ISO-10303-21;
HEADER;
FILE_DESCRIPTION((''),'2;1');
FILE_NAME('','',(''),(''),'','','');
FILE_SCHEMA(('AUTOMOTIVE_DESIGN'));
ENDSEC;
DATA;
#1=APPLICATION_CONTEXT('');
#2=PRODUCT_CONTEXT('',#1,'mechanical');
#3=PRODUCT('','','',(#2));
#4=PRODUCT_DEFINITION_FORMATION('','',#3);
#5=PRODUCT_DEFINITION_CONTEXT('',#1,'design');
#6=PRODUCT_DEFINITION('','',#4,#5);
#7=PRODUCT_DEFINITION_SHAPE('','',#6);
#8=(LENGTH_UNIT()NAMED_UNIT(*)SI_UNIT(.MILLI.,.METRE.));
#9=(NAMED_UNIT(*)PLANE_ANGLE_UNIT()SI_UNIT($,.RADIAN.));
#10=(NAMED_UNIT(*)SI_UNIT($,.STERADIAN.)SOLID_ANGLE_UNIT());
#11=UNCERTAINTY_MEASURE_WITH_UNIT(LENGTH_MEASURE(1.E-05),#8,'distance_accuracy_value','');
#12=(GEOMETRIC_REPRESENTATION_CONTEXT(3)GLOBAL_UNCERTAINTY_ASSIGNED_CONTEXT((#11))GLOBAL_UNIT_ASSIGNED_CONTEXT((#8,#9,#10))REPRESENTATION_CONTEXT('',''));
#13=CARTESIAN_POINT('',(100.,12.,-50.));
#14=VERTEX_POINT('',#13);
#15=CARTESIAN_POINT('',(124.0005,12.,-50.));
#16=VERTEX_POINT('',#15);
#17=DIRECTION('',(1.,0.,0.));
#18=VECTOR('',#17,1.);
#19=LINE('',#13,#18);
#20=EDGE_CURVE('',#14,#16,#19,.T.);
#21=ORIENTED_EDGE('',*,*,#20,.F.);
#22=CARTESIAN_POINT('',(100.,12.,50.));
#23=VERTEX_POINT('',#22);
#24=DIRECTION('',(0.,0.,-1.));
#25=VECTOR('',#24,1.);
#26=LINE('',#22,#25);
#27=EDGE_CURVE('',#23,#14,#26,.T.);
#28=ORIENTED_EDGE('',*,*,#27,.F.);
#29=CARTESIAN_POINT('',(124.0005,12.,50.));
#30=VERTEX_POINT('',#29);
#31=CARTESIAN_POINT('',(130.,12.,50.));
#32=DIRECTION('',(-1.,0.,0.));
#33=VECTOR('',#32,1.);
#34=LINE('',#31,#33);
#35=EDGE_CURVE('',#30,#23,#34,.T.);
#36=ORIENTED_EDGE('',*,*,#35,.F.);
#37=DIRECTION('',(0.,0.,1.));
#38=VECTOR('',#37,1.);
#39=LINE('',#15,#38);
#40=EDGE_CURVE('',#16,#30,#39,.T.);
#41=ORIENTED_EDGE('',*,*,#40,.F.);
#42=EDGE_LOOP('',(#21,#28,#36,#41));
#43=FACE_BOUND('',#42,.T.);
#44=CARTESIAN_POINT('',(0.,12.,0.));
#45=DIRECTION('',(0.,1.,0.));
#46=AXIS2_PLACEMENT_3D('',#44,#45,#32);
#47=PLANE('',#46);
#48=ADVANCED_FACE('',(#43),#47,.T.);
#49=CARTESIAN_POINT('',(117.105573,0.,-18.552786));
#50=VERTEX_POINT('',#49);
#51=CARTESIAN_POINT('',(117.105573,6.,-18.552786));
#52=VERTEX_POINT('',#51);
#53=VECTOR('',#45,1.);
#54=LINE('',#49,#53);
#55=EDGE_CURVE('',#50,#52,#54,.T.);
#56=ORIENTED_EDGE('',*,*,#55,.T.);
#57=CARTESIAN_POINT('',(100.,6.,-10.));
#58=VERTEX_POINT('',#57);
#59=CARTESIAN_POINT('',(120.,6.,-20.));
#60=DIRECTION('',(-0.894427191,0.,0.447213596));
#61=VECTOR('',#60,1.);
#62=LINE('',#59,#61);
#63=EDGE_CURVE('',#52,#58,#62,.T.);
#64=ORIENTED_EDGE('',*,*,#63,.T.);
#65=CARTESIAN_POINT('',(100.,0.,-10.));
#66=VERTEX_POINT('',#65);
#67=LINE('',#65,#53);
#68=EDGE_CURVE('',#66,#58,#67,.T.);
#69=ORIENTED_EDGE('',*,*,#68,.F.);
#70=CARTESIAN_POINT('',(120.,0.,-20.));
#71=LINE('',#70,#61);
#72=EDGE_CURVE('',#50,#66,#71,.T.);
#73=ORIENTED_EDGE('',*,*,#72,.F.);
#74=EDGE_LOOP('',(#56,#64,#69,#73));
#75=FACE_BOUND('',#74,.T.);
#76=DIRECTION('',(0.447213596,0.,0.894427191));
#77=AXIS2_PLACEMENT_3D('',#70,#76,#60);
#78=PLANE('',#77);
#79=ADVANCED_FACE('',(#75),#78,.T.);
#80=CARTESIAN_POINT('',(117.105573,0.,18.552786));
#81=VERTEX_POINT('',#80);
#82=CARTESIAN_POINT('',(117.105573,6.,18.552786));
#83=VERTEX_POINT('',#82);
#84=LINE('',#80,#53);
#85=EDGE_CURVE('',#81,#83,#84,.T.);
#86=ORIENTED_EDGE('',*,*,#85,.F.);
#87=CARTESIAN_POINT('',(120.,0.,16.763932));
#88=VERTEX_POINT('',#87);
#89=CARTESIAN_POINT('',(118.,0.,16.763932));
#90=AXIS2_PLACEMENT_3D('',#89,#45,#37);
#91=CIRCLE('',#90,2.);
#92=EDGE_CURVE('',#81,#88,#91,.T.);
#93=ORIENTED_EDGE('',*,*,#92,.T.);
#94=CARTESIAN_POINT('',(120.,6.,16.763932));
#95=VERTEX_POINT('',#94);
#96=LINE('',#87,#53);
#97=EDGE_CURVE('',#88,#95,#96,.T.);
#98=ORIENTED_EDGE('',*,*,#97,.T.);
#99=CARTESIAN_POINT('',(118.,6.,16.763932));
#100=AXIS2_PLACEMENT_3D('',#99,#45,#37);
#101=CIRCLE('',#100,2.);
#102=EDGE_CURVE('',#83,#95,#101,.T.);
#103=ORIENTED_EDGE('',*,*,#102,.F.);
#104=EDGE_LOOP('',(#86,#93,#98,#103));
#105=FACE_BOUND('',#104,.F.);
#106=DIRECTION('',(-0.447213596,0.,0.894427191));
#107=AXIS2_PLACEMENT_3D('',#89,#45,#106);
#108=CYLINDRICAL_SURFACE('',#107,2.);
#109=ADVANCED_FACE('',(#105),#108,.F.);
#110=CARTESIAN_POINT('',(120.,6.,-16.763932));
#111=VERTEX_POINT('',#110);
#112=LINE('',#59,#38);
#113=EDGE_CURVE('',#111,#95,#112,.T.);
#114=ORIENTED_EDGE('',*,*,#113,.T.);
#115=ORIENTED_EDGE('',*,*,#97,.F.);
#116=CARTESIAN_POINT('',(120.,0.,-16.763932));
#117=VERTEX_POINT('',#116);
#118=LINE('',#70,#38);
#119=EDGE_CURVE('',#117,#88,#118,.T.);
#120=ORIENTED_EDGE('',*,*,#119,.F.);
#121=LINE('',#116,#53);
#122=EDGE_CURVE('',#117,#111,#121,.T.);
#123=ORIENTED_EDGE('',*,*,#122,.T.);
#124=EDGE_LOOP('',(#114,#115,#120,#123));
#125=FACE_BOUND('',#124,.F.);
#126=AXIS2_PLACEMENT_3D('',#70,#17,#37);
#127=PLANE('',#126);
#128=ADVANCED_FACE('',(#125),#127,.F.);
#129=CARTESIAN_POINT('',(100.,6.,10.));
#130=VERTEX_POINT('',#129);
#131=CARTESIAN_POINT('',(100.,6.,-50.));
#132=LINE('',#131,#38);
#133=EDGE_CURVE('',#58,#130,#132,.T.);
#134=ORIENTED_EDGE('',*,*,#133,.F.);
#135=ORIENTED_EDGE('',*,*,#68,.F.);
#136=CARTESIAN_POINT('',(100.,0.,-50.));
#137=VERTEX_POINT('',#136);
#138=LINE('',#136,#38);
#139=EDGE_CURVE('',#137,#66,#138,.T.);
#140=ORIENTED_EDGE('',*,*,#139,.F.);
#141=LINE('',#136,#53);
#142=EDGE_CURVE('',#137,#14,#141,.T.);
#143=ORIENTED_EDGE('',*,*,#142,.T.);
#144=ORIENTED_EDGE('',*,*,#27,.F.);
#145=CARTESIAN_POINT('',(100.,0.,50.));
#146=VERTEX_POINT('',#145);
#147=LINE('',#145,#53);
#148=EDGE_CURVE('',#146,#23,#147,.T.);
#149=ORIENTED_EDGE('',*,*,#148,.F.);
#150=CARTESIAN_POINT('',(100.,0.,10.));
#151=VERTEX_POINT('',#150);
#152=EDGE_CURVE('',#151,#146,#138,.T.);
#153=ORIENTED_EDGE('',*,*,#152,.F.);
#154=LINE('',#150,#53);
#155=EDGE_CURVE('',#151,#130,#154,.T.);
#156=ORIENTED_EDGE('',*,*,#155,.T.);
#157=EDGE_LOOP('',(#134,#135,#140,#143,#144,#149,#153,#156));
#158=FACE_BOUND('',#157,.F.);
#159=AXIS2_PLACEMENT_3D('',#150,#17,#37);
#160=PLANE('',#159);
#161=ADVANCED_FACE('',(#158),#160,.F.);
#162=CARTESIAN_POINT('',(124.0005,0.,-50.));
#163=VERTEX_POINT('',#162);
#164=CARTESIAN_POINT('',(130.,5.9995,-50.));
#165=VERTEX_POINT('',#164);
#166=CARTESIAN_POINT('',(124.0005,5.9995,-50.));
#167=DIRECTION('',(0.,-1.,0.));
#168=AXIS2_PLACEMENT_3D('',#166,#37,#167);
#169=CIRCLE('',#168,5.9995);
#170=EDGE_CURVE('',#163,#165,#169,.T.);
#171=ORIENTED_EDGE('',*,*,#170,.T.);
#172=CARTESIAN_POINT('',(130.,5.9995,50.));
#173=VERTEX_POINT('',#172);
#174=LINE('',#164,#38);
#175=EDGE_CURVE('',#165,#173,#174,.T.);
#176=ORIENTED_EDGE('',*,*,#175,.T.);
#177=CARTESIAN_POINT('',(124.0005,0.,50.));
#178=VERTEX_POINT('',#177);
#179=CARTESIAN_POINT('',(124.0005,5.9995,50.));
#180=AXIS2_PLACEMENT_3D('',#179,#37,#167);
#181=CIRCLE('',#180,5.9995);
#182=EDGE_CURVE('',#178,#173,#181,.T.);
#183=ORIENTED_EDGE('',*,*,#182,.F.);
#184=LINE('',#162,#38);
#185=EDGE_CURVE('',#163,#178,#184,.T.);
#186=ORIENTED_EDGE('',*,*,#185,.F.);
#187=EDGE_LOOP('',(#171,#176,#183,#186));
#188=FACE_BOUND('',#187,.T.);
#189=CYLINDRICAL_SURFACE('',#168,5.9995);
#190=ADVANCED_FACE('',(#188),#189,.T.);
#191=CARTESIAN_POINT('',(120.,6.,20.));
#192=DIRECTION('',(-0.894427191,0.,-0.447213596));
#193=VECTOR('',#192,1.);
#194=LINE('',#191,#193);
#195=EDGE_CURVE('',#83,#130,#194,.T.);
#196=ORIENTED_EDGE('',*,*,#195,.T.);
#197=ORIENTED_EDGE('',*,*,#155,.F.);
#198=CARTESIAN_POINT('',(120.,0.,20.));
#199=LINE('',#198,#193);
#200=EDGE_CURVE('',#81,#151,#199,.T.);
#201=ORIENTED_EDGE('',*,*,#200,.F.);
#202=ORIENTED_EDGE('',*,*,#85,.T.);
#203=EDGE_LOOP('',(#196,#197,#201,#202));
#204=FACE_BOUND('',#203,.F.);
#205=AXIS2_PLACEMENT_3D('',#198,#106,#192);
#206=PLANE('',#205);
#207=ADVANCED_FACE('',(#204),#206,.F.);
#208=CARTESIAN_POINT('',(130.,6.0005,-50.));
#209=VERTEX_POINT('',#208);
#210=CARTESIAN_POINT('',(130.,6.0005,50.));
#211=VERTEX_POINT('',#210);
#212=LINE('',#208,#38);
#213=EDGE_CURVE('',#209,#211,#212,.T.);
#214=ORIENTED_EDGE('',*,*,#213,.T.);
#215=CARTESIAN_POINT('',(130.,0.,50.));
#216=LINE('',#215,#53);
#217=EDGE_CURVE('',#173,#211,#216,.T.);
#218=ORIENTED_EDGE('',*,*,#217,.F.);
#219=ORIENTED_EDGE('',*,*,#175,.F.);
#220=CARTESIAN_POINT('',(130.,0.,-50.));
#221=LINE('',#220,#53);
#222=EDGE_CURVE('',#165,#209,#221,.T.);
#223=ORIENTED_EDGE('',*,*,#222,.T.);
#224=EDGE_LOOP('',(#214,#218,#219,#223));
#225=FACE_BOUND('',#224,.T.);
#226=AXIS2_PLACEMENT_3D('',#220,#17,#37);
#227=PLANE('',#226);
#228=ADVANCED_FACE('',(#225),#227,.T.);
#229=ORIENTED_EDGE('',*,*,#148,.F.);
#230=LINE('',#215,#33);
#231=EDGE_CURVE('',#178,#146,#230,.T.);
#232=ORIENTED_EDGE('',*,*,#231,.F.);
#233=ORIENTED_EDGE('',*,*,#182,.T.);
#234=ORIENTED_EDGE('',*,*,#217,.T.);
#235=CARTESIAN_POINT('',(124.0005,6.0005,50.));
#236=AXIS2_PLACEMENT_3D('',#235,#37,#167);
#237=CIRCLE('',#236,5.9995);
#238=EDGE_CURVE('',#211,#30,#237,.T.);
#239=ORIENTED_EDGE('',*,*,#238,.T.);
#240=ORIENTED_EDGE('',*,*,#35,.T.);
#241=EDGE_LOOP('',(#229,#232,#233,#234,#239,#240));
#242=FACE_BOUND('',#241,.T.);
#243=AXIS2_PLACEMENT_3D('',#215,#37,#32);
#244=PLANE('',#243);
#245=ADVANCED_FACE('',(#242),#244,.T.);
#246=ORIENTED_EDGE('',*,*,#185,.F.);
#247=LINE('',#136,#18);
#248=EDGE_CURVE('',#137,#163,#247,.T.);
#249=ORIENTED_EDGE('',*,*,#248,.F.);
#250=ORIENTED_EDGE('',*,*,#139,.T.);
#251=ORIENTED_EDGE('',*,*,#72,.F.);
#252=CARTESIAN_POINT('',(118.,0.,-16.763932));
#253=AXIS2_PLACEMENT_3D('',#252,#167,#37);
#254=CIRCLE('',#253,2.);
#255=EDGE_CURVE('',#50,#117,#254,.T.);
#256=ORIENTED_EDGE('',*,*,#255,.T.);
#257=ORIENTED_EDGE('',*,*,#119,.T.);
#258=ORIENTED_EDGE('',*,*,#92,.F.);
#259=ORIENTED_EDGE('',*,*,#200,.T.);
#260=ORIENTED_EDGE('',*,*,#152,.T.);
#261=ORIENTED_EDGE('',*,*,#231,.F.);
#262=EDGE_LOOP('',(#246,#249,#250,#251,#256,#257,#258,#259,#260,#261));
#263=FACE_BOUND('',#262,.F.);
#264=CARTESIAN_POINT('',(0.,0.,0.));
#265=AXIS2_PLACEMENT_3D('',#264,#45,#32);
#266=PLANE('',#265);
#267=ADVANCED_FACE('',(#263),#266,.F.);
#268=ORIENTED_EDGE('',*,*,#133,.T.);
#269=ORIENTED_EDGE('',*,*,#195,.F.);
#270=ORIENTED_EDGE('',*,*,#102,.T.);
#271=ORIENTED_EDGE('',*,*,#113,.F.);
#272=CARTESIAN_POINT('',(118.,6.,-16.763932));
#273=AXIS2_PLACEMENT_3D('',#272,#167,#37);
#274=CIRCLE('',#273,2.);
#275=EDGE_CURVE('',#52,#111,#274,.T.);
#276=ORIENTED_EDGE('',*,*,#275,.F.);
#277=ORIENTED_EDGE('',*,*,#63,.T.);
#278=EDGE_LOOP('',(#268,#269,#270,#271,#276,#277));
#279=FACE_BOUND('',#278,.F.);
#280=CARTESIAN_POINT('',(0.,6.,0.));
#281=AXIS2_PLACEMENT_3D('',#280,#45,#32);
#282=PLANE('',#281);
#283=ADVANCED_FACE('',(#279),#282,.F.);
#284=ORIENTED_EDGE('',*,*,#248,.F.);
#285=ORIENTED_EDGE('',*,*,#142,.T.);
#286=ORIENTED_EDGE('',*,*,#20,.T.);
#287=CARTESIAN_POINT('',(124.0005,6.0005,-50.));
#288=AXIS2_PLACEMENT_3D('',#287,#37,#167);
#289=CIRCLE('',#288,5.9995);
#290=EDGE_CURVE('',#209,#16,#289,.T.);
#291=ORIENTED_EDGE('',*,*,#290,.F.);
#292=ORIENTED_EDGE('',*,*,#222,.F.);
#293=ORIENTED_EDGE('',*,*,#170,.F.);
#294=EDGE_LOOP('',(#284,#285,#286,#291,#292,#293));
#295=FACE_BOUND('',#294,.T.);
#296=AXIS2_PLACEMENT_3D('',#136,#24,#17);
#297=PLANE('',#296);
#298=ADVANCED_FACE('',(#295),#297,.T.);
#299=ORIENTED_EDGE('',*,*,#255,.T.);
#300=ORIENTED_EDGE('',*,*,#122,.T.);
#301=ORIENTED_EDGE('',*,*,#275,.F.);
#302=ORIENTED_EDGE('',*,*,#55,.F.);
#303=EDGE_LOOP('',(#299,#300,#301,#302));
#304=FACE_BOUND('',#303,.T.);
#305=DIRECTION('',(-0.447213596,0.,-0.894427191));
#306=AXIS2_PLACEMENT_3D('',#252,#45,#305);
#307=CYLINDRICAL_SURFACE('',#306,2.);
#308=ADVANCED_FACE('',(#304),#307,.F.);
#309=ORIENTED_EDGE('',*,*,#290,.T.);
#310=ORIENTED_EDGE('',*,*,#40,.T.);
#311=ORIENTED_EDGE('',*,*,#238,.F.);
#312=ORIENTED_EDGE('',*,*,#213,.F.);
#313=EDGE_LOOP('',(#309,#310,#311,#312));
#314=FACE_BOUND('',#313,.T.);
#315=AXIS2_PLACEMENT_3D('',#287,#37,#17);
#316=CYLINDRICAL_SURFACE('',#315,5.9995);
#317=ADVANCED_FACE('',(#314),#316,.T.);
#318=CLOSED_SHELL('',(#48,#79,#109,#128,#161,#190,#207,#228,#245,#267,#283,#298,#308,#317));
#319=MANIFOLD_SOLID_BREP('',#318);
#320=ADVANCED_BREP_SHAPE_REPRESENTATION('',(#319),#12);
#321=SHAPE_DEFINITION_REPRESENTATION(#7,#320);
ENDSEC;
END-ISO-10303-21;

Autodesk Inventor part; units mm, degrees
ref_plane "YZ Plane" through (0, 0, 0) normal (1, 0, 0) x (0, 1, 0)
ref_plane "XZ Plane" through (0, 0, 0) normal (0, 1, 0) x (-1, 0, 0)
ref_plane "XY Plane" through (0, 0, 0) normal (0, 0, 1) x (1, 0, 0)
sketch "Sketch1" plane through (0, 0, 0) normal (0, 1, 0) x (-1, 0, 0)
  line L0 (100, -50) -> (-100, -50)
  line L1 (-100, -50) -> (-100, 50)
  line L2 (-100, 50) -> (100, 50)
  line L3 (100, 50) -> (100, -50)
  line L4 (100, -50) -> (-100, 50) construction
  line L5 (-100, -50) -> (100, 50) construction
  line L6 (-40, -30) -> (-80, -30)
  line L7 (-50, -50) -> (-70, -50)
  line L8 (-40, -30) -> (-50, -50)
  line L9 (-80, -30) -> (-70, -50)
  line L10 (80, -30) -> (40, -30)
  line L11 (70, -50) -> (50, -50)
  line L12 (80, -30) -> (70, -50)
  line L13 (40, -30) -> (50, -50)
  line L14 (-100, -10) -> (-100, 10)
  line L15 (-80, -20) -> (-80, 20)
  line L16 (-80, -20) -> (-100, -10)
  line L17 (-80, 20) -> (-100, 10)
  line L18 (100, -50) -> (-100, -50)
  line L19 (-100, -50) -> (-130, -50)
  line L20 (-130, -50) -> (-130, 50)
  line L21 (-130, 50) -> (-100, 50)
  line L22 (-100, 50) -> (-100, -50)
  line L23 (-120, -20) -> (-120, 20)
  line L24 (-120, -20) -> (-100, -10)
  line L25 (-120, 20) -> (-100, 10)
  point P0 (0, 0)
  point P1 (-100, 10)
  point P2 (-100, -10)
  point P3 (-70, -50)
  point P4 (-50, -50)
  point P5 (70, -50)
  point P6 (0, 0)
  point P7 (0, 0)
  point P8 (-100, -50)
  dimension "d72" = 200
  dimension "d73" = 100
  dimension "d78" = 20
  dimension "d79" = 40
  dimension "d80" = 20
  dimension "d81" = 10
  dimension "d82" = 20
  dimension "d83" = 40
  dimension "d84" = 20
  dimension "d85" = 10
  dimension "d86" = 120
  dimension "d87" = 30
  dimension "d88" = 0
  dimension "d89" = 0
  dimension "d90" = 40
  dimension "d91" = 20
  dimension "d92" = 20
  dimension "d93" = 10
  dimension "d94" = 40
  dimension "d95" = 0
  dimension "d122" = 30
extrude "Extrusion24" add sketch "Sketch1" along normal blind 12 contours L1 L25 L23 L24 L19 L20 L21 | L1 L24 L23 L25
extrude "Extrusion25" cut sketch "Sketch1" along normal blind 6 contours L1 L24 L23 L25
fillet "Fillet11" radius 2 2 edges at (120, 3, 20) (120, 3, -20)
fillet "Fillet12" radius 6 2 edges at (130, 0, 0) (130, 12, 0)
properties part number "Test2_3DPrint"
